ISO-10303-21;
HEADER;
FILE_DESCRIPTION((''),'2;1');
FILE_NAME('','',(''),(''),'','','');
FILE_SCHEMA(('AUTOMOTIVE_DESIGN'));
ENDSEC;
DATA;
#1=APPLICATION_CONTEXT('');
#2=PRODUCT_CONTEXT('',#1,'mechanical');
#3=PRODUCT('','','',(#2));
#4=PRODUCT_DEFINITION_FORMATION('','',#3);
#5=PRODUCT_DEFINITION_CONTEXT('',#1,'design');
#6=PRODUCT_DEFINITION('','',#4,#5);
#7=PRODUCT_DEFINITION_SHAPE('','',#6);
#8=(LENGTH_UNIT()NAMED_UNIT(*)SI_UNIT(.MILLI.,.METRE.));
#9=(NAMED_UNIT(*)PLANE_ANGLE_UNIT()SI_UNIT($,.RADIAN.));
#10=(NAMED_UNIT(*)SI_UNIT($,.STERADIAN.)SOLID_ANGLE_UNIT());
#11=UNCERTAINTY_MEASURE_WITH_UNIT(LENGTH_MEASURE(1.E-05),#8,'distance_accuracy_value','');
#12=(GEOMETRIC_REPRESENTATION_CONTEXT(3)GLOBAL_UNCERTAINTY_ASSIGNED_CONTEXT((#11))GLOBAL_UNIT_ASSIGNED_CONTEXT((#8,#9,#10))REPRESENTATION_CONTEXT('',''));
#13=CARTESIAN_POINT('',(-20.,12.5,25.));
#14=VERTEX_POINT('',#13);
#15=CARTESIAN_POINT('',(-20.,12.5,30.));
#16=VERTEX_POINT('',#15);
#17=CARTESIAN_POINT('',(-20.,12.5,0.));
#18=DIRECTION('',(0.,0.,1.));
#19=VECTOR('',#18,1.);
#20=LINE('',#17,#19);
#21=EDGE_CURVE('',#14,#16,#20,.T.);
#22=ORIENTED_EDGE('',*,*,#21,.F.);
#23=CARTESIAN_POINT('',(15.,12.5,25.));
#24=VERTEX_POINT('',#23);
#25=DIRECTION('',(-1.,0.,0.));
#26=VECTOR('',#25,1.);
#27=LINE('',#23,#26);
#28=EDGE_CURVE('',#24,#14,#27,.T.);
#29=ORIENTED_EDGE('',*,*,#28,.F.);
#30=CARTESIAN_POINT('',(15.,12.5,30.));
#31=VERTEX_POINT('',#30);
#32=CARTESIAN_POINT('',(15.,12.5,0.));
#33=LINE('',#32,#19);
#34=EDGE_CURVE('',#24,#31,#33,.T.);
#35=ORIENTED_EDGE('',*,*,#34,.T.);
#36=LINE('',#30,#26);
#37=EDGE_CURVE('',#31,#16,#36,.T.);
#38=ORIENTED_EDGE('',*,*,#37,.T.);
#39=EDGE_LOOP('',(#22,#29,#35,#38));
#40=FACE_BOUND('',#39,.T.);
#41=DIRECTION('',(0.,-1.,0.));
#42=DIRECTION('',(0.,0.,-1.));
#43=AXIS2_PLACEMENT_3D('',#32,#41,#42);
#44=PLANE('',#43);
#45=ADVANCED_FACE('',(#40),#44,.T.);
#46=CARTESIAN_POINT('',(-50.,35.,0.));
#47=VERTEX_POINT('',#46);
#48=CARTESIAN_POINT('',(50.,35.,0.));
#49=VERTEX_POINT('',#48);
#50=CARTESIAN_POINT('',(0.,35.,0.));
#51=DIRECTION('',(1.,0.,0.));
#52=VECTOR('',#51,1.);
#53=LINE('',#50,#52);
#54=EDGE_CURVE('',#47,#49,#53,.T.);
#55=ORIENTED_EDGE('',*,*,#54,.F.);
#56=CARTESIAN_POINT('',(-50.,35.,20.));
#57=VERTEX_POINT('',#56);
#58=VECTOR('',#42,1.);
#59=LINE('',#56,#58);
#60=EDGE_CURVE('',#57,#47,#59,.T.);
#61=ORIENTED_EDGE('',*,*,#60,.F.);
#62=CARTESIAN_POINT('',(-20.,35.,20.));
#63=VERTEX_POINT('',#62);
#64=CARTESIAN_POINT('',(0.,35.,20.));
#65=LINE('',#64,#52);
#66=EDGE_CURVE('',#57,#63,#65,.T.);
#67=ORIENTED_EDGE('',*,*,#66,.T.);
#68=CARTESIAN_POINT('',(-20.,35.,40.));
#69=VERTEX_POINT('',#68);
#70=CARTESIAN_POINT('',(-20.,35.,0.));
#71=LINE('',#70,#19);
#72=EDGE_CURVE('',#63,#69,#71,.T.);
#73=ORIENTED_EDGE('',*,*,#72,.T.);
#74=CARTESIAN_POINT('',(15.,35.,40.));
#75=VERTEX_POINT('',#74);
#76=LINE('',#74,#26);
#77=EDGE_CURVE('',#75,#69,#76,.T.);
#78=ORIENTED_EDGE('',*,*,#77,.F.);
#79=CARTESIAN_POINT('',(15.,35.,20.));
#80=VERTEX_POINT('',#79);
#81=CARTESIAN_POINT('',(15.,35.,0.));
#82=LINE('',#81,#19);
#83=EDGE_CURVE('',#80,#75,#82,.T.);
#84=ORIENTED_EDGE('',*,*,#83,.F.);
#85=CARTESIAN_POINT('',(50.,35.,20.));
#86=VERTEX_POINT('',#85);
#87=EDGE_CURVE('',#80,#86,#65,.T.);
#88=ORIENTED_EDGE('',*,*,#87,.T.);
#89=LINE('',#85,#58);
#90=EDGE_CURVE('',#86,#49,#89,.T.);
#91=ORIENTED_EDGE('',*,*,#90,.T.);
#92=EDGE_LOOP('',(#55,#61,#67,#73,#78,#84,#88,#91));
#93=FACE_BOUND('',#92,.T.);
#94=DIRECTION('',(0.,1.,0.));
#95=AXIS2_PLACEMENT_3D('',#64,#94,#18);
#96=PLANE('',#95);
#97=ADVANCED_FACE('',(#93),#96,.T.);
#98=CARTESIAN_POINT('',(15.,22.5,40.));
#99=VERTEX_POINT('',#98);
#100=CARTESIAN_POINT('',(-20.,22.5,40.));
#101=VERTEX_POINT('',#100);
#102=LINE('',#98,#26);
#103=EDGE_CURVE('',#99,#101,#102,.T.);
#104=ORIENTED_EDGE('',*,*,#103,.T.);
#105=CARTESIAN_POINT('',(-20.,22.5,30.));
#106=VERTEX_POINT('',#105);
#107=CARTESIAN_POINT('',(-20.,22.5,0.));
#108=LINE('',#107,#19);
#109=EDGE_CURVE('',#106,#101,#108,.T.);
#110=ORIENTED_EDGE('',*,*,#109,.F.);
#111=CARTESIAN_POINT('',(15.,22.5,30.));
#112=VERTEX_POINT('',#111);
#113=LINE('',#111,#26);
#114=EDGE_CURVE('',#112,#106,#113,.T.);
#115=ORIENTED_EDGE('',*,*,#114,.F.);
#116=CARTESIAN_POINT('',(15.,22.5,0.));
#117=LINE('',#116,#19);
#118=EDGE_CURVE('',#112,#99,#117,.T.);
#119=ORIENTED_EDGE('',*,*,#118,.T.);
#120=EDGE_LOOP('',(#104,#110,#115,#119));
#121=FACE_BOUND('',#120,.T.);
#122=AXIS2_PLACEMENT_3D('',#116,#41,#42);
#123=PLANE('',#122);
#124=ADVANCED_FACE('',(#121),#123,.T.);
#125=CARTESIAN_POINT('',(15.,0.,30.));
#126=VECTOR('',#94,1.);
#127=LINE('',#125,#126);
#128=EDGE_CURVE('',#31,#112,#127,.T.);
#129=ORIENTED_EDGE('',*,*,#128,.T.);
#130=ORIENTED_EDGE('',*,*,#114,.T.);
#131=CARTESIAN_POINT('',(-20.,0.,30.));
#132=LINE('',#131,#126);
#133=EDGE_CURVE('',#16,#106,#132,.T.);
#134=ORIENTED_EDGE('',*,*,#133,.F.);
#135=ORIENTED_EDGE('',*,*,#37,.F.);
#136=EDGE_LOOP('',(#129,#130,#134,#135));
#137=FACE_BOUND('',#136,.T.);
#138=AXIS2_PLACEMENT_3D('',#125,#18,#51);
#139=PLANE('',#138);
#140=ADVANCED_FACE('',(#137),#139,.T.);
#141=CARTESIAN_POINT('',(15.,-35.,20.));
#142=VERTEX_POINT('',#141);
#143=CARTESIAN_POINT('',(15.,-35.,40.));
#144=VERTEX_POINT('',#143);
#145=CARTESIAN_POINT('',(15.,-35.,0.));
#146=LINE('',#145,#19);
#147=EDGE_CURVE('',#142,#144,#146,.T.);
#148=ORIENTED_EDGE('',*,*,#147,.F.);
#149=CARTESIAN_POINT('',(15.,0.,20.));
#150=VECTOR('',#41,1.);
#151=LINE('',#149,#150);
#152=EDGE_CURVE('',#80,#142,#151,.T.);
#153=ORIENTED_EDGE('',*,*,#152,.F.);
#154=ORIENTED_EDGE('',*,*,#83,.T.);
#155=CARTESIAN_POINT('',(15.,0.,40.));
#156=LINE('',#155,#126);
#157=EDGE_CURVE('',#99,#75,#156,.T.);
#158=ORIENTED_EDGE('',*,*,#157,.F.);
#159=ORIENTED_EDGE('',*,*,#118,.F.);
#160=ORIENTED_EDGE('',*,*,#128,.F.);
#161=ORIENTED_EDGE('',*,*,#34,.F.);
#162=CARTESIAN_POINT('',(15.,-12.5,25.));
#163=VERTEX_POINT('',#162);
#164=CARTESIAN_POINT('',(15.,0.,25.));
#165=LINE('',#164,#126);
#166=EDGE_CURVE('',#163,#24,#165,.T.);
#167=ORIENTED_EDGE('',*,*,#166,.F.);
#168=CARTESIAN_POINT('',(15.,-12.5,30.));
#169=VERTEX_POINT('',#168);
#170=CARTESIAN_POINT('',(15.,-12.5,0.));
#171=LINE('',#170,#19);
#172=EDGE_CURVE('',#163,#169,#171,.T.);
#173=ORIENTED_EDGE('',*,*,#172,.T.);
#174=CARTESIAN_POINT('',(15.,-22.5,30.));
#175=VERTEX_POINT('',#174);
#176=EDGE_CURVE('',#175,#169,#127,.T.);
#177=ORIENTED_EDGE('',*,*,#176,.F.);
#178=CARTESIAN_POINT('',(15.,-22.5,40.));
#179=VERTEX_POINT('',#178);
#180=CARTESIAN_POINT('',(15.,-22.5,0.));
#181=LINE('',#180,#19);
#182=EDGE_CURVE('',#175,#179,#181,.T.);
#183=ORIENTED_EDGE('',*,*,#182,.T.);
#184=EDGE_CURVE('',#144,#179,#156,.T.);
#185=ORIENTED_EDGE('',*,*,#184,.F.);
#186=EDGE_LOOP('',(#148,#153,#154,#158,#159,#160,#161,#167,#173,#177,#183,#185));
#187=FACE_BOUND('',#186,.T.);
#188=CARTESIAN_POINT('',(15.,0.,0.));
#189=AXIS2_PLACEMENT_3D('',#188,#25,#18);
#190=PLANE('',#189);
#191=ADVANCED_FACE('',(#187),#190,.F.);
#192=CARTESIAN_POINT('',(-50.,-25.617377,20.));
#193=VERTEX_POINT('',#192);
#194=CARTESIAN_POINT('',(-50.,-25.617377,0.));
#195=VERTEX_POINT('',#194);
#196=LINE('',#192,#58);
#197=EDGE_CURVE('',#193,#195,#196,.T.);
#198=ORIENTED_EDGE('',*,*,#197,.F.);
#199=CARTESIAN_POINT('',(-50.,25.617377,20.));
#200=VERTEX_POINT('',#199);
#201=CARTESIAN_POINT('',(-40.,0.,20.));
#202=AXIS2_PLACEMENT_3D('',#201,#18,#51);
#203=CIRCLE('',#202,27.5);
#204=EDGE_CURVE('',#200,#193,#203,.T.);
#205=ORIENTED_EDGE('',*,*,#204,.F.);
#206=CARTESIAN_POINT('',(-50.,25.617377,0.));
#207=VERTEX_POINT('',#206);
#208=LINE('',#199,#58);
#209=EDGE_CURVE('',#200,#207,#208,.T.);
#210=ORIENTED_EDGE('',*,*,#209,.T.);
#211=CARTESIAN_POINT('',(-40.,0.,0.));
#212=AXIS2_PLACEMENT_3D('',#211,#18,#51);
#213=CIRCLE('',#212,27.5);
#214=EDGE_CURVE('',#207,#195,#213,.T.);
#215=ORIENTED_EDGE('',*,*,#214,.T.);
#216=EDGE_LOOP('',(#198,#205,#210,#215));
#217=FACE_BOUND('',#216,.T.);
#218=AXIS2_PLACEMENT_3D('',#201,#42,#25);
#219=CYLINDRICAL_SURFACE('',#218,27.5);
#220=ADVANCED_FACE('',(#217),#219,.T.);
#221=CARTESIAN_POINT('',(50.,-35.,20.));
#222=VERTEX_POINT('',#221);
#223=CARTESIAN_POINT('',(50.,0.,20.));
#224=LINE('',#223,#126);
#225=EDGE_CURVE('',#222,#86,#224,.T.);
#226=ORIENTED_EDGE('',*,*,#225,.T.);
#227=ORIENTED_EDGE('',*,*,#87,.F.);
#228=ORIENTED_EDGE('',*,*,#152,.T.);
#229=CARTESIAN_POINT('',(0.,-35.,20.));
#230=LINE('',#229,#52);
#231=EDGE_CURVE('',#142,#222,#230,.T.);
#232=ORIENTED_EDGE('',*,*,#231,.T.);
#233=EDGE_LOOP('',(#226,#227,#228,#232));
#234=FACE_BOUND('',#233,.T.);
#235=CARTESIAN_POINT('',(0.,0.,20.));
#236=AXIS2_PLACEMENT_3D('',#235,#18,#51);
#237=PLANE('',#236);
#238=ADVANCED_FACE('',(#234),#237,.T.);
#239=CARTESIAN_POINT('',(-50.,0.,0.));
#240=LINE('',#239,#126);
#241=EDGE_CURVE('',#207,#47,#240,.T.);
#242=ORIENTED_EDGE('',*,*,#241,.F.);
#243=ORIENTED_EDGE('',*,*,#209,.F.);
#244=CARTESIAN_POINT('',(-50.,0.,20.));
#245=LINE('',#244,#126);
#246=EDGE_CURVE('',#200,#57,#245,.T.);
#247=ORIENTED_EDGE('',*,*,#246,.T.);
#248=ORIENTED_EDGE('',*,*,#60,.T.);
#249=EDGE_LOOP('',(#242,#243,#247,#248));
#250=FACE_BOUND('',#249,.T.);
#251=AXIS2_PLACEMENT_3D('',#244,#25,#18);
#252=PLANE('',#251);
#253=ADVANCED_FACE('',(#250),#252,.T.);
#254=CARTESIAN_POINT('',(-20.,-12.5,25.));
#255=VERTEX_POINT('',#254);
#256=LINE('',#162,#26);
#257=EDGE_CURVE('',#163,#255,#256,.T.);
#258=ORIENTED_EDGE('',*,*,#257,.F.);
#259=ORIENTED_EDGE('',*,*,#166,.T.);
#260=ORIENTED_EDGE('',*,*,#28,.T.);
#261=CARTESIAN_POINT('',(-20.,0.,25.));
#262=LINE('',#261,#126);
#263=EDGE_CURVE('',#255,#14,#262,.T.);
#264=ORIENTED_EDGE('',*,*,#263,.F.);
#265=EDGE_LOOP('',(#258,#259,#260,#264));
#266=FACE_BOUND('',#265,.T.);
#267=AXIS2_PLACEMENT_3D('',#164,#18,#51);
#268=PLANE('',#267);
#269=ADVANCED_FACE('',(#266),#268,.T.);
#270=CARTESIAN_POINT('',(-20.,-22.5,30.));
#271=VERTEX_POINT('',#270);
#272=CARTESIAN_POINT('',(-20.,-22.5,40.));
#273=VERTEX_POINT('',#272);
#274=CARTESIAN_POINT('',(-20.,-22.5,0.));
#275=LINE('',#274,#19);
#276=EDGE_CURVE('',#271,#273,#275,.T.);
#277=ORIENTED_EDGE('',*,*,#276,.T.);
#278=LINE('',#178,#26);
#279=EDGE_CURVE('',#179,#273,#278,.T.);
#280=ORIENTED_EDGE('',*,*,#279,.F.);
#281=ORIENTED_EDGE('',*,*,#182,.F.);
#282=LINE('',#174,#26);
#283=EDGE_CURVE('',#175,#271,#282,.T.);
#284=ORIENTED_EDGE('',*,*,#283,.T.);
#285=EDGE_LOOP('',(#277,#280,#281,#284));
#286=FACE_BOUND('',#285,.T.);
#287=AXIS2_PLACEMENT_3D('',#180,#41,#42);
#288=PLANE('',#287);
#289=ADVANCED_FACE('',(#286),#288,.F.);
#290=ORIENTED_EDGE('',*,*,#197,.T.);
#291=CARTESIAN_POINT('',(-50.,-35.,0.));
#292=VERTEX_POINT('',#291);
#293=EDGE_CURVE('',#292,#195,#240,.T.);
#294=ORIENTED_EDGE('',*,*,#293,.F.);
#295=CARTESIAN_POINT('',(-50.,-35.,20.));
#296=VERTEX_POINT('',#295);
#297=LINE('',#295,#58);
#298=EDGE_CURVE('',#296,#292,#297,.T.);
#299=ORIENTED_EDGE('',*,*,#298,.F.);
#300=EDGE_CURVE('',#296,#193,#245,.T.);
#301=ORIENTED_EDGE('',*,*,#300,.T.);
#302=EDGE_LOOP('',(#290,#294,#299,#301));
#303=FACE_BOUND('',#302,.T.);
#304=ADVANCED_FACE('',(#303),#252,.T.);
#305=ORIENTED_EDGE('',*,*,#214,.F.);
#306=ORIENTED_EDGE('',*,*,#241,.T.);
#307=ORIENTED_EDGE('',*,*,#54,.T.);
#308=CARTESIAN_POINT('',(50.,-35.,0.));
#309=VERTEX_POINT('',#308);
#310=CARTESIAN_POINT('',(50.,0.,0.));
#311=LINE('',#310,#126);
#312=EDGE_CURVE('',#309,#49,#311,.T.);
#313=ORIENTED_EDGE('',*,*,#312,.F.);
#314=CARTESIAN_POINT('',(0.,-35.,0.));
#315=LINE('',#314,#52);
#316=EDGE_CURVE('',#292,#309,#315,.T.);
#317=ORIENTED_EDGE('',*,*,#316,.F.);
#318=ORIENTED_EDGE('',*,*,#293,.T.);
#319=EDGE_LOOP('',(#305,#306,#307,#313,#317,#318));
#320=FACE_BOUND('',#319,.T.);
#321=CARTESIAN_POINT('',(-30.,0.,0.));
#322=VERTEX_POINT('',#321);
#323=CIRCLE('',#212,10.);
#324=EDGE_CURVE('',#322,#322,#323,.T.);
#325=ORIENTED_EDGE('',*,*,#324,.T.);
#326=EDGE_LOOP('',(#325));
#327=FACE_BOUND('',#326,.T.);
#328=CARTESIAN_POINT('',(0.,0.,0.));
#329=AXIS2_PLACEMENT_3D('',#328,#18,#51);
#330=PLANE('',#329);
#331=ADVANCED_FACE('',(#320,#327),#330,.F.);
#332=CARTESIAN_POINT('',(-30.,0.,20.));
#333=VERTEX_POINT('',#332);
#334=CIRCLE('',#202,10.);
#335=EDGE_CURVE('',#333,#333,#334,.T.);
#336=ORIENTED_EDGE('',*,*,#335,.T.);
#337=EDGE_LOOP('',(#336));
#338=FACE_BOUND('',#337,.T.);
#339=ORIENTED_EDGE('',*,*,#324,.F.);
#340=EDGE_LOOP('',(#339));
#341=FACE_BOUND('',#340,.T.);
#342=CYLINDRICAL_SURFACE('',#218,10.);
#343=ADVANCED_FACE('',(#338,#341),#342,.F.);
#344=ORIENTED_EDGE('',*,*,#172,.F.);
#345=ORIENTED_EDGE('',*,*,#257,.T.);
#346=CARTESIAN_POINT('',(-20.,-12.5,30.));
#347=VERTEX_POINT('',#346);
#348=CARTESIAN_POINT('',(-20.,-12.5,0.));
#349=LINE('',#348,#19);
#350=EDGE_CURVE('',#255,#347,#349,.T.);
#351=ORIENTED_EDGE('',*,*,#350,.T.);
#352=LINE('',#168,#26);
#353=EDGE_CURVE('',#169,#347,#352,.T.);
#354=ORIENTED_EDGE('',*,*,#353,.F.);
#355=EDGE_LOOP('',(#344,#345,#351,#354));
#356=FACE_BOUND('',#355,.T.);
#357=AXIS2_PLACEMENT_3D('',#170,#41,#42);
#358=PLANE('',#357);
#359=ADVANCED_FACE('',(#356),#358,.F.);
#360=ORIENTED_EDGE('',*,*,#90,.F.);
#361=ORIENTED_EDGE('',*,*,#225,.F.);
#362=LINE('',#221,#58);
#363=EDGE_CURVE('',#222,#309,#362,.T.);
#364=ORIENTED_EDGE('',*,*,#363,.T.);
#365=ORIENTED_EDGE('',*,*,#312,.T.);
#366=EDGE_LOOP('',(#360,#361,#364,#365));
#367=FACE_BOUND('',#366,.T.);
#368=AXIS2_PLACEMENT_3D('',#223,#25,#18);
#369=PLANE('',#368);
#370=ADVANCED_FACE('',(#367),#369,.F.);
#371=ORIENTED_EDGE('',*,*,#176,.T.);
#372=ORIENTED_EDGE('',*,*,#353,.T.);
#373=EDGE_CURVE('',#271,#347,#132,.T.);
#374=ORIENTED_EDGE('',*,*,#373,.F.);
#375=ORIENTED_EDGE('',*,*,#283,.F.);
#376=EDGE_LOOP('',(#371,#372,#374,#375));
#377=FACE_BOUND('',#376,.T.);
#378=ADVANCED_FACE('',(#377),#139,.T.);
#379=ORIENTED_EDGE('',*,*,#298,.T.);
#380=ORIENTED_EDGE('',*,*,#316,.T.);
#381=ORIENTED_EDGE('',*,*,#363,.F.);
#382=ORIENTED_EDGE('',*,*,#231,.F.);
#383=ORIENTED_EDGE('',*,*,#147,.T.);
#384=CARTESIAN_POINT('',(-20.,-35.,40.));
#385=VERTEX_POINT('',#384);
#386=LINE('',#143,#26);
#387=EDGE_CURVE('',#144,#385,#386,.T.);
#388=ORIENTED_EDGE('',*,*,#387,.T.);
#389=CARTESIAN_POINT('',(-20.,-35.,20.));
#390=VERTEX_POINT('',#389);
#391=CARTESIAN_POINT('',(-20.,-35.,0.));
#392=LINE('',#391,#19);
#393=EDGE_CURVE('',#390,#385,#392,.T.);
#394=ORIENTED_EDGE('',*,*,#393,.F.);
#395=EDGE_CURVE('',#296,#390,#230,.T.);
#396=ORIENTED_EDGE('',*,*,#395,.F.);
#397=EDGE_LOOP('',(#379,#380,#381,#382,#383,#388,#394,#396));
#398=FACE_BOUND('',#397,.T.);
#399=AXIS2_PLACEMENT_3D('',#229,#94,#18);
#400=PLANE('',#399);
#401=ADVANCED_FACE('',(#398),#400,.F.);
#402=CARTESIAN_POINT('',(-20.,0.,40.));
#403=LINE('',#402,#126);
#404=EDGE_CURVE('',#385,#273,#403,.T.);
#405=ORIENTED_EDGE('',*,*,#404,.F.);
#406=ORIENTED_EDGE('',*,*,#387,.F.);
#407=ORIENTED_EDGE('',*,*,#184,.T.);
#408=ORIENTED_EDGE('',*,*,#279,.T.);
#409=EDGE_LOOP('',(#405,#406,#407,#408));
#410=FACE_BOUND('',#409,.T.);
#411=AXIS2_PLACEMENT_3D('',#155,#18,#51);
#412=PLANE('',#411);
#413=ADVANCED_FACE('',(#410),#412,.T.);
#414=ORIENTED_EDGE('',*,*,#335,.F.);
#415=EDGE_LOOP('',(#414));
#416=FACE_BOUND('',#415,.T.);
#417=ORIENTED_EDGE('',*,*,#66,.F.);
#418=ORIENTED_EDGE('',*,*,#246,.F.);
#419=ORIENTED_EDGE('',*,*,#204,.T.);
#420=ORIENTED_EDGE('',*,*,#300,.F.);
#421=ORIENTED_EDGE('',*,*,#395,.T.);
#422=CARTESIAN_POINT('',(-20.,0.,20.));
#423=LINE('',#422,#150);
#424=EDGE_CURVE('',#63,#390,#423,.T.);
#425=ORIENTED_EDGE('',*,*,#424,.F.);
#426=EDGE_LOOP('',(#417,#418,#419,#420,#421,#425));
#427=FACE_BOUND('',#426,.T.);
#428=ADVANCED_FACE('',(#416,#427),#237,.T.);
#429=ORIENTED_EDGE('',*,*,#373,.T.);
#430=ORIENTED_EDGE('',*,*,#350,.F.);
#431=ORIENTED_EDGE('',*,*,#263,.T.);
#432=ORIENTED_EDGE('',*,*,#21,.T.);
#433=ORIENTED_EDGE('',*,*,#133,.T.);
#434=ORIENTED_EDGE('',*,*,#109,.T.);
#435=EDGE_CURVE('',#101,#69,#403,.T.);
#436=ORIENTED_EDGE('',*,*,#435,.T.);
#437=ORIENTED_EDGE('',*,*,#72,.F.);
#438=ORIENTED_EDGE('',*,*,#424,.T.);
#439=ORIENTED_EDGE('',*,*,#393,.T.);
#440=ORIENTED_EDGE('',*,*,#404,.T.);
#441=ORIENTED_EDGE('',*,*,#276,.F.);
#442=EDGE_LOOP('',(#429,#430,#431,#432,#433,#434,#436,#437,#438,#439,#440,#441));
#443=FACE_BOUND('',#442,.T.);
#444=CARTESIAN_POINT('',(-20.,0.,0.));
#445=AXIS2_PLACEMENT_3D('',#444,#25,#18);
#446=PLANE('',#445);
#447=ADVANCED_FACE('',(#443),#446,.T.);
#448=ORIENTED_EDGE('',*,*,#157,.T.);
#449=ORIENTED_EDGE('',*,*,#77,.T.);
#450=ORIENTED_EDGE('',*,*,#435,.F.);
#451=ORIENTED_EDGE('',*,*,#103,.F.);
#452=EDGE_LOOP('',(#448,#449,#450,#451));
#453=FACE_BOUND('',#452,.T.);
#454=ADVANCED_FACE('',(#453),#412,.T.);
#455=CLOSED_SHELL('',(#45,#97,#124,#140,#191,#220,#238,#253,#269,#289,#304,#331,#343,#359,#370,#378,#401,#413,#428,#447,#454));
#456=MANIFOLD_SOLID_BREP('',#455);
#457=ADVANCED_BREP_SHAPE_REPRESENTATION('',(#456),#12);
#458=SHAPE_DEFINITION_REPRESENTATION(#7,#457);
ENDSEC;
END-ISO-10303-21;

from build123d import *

# Parameters (mm, degrees)
SKETCH_1_R      = 10
EXTRUDE_1_DEPTH = 20
EXTRUDE_2_DEPTH = 35


with BuildPart() as part:
    # Эскиз1 → Бобышка-Вытянуть1 (new body)
    with BuildSketch(Plane.XY):
        with BuildLine():
            Line((-50, -25.617376915), (-50, -35))
            Line((-50, -35), (50, -35))
            Line((50, -35), (50, 35))
            Line((50, 35), (-50, 35))
            Line((-50, 35), (-50, 25.617376915))
            ThreePointArc((-50, 25.617376915), (-67.5, 0), (-50, -25.617376915))
        make_face()
        with Locations((-40, 0)):
            Circle(SKETCH_1_R, mode=Mode.SUBTRACT)
    extrude(amount=EXTRUDE_1_DEPTH)

    # Эскиз2 → Бобышка-Вытянуть2 (add)
    with BuildSketch(Plane.ZY.offset(20)):
        Polygon((0, 35), (0, -35), (40, -35), (40, -22.5), (30, -22.5), (30, -12.5), (25, -12.5), (25, 12.5), (30, 12.5), (30, 22.5), (40, 22.5), (40, 35), align=None)
    extrude(amount=-EXTRUDE_2_DEPTH)


solid = part.part
